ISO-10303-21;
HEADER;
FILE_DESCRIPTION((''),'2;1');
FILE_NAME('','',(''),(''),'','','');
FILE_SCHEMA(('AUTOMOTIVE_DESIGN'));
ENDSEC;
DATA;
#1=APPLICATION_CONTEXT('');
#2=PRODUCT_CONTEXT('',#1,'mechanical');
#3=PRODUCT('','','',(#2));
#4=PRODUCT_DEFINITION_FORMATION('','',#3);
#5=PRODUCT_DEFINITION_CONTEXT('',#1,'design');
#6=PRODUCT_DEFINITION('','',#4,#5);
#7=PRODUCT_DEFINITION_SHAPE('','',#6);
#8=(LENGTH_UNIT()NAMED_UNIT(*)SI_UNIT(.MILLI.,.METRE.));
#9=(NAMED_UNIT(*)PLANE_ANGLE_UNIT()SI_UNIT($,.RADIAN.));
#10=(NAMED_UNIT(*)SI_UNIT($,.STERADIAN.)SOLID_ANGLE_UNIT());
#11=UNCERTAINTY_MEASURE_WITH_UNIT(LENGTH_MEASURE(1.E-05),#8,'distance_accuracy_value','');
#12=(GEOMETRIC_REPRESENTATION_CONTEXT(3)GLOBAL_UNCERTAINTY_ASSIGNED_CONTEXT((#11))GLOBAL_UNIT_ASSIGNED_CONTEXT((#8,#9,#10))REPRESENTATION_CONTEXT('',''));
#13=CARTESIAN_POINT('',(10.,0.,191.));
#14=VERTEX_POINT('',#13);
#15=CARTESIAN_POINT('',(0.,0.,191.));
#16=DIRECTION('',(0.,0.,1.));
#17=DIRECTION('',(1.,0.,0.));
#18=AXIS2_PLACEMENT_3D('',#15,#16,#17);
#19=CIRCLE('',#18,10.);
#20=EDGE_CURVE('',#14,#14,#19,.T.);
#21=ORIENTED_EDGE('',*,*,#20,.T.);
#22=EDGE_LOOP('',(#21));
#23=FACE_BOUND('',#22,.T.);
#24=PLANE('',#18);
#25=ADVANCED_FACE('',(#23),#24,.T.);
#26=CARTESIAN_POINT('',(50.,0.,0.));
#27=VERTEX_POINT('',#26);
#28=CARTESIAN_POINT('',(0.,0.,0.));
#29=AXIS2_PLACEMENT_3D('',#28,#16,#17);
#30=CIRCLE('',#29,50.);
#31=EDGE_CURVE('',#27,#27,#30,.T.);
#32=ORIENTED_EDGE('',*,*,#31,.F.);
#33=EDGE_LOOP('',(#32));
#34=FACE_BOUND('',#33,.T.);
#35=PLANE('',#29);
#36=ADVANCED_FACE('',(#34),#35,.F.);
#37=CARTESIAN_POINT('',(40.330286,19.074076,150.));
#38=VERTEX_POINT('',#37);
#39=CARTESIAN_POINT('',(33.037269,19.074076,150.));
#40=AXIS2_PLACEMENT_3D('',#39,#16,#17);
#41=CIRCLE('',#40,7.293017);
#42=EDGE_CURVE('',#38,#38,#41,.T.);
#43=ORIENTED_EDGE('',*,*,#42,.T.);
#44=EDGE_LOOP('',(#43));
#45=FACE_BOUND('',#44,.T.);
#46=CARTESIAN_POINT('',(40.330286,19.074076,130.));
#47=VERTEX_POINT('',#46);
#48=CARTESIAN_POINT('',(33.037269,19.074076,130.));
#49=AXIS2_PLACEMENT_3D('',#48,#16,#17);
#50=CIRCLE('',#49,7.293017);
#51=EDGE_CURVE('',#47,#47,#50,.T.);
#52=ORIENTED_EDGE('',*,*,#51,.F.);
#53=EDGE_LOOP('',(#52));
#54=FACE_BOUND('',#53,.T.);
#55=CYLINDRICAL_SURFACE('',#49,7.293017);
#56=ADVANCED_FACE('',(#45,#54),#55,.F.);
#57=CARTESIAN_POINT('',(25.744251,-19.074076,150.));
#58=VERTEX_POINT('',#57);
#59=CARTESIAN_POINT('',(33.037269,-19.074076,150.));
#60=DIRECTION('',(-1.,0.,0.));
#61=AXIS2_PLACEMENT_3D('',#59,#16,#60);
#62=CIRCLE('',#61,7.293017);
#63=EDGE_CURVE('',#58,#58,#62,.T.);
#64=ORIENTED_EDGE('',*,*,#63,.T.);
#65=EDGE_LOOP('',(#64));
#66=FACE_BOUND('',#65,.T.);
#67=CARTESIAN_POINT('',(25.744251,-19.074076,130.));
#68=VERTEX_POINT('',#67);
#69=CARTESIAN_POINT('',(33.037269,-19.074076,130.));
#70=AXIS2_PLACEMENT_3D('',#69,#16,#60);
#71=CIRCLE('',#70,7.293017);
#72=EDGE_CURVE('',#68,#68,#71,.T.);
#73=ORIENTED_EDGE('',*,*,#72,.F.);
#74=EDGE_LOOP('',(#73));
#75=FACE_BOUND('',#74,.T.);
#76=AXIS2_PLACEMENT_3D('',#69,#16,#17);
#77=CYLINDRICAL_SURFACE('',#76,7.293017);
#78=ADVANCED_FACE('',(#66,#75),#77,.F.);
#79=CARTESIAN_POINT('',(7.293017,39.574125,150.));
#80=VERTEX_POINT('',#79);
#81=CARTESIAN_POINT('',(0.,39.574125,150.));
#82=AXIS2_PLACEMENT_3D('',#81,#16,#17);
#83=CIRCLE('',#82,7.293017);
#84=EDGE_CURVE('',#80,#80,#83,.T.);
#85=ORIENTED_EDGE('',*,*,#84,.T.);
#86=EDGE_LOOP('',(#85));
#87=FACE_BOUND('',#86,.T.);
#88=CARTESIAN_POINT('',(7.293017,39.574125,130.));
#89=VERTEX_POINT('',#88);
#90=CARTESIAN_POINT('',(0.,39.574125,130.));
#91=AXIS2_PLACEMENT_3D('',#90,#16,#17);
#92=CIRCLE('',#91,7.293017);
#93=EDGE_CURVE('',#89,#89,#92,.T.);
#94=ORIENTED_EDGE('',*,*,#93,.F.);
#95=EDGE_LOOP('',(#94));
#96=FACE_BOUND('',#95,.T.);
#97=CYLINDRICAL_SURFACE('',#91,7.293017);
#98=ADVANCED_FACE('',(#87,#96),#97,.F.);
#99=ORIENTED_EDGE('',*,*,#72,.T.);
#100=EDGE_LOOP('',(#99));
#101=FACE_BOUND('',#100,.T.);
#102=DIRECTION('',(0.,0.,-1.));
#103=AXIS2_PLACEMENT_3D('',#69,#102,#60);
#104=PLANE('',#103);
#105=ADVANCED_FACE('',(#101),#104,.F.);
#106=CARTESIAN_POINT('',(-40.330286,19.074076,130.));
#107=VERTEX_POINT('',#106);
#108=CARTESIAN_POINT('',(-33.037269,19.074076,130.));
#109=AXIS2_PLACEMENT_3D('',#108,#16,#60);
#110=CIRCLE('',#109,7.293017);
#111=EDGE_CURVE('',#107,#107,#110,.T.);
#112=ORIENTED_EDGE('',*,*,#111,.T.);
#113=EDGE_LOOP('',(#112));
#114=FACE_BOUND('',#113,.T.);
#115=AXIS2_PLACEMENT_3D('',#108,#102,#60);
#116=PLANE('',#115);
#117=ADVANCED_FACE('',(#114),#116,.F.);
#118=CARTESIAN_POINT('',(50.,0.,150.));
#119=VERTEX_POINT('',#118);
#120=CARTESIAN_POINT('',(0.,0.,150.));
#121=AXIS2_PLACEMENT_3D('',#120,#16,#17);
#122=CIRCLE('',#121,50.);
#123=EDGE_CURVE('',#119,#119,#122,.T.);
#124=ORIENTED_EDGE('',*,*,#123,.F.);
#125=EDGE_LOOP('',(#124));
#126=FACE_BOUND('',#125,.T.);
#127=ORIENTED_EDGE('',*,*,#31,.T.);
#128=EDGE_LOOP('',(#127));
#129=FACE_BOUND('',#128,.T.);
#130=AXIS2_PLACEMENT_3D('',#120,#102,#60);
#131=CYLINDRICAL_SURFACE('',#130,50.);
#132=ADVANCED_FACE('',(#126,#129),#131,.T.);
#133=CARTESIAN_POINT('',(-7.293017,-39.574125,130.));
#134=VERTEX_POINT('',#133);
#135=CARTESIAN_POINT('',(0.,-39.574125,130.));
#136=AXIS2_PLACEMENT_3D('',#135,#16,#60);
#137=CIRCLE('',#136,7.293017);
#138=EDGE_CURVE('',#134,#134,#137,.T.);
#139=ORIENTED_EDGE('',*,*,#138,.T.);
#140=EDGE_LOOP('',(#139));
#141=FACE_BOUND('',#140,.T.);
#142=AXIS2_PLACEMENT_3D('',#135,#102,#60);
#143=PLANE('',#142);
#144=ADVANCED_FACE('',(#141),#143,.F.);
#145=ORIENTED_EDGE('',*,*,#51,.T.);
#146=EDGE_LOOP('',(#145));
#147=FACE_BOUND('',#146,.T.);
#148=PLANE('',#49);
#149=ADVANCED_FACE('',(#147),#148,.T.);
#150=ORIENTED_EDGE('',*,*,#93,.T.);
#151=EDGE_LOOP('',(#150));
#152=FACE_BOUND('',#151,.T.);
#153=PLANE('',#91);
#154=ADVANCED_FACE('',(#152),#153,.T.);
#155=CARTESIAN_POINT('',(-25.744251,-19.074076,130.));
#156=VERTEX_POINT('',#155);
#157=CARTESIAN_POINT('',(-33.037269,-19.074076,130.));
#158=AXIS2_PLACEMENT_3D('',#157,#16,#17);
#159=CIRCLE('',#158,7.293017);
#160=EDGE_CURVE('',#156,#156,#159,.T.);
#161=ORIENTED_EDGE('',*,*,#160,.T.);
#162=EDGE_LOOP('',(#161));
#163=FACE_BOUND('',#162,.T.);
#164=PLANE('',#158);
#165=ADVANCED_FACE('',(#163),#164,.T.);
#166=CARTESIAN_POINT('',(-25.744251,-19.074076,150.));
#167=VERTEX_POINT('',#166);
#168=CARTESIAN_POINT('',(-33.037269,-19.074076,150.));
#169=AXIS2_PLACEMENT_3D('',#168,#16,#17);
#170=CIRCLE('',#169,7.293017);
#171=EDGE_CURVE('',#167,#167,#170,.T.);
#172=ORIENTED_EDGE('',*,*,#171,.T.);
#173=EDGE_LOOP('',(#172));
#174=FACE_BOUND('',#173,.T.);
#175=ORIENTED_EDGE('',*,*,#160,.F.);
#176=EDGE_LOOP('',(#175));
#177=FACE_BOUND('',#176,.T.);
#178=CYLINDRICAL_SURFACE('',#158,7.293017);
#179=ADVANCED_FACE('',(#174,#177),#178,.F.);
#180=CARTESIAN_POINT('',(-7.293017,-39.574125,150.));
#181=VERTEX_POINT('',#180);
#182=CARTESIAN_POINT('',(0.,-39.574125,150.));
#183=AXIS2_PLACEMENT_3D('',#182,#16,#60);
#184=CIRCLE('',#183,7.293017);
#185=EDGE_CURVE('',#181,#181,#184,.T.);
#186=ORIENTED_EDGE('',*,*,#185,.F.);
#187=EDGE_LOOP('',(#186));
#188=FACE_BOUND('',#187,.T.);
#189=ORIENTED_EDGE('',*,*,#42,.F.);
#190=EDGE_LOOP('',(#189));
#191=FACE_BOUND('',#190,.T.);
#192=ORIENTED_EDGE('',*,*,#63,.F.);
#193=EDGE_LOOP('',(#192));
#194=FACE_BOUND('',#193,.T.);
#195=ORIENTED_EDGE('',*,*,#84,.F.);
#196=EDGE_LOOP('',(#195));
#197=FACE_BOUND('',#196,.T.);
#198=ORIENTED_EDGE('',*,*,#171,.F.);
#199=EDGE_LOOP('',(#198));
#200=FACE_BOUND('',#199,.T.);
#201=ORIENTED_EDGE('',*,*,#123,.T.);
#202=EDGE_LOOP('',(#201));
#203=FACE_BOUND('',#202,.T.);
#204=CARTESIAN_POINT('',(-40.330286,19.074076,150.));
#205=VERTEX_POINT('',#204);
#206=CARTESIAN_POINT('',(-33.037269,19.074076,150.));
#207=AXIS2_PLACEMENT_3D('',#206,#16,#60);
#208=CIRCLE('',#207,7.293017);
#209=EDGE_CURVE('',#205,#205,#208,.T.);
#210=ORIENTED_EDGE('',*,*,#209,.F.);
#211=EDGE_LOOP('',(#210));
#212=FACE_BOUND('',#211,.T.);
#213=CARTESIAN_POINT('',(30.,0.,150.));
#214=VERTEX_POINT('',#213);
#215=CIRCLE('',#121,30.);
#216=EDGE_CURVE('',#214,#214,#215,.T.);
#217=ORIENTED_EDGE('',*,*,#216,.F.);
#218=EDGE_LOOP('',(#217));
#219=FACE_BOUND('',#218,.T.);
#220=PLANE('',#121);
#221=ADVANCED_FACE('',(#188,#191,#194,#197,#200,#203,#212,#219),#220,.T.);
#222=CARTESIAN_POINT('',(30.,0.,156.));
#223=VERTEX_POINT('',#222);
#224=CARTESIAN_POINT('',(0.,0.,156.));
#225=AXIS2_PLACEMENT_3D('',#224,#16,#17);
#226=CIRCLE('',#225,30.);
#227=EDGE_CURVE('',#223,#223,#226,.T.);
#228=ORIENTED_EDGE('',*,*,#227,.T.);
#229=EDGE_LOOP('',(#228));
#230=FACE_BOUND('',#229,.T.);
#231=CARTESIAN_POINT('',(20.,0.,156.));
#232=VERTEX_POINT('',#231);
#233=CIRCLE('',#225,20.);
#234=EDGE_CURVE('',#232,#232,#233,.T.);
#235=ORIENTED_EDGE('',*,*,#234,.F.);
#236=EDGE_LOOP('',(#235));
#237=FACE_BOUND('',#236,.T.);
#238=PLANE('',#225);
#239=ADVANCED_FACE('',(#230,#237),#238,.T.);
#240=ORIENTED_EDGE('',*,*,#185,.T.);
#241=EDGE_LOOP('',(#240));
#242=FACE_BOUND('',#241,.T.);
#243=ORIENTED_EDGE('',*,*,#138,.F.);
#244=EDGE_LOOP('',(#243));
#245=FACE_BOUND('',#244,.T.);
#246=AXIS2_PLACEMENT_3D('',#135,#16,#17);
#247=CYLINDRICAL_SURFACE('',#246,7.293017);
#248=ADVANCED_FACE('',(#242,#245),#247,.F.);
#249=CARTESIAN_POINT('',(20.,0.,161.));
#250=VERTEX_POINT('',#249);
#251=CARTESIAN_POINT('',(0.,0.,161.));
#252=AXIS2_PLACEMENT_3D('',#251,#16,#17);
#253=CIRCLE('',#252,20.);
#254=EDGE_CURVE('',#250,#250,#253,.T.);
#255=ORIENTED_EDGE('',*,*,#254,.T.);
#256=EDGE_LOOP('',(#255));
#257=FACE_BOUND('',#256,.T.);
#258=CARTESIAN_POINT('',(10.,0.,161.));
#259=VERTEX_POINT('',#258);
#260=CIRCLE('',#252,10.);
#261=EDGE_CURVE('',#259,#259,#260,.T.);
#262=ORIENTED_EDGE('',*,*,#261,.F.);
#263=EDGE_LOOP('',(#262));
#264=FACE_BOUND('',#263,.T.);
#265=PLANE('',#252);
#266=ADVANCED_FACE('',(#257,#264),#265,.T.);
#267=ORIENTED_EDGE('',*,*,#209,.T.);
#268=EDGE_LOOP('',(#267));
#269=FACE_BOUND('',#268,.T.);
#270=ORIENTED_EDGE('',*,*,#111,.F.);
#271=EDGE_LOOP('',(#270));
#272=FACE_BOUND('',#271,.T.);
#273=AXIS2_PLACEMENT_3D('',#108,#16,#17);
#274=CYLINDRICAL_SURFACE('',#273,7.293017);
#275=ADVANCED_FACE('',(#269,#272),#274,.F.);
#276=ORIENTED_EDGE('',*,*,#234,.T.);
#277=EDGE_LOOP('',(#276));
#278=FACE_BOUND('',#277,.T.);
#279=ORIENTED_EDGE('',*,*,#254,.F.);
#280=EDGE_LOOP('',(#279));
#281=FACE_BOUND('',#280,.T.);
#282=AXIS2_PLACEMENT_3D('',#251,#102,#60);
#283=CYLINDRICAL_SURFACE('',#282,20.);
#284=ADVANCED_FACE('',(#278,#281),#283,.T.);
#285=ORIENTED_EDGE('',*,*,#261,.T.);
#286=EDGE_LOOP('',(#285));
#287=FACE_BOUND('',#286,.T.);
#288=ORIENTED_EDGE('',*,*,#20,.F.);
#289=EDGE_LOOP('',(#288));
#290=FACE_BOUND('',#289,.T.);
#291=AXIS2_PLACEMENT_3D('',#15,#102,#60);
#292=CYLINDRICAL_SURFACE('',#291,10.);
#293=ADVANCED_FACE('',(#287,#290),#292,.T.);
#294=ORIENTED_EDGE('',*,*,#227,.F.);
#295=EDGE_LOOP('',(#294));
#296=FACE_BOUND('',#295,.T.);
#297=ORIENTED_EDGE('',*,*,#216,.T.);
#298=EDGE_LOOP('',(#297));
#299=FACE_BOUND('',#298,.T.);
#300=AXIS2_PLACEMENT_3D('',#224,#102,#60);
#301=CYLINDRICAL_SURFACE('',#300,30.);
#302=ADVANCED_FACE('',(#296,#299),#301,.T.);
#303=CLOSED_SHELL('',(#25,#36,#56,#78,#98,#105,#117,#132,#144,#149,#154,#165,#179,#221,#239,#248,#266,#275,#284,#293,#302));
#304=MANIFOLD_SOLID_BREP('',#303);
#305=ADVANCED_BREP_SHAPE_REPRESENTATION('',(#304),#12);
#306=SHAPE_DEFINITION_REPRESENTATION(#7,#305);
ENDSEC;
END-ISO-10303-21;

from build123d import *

# Parameters (mm, degrees)
SKETCH_4_R          = 50
EXTRUDE_1_DEPTH     = 150
SKETCH_5_R          = 30
EXTRUDE_2_DEPTH     = 6
SKETCH_6_R          = 20
EXTRUDE_3_DEPTH     = 5
SKETCH_7_R          = 10
EXTRUDE_4_DEPTH     = 30
SKETCH_8_R          = 7.293017107
CUT_EXTRUDE_1_DEPTH = 20


with BuildPart() as part:
    # 草图4 → 凸台-拉伸1 (new body)
    with BuildSketch(Plane.XY):
        Circle(SKETCH_4_R)
    extrude(amount=EXTRUDE_1_DEPTH)

    # 草图5 → 凸台-拉伸2 (add)
    with BuildSketch(Plane.XY.offset(150)):
        Circle(SKETCH_5_R)
    extrude(amount=EXTRUDE_2_DEPTH)

    # 草图6 → 凸台-拉伸3 (add)
    with BuildSketch(Plane.XY.offset(156)):
        Circle(SKETCH_6_R)
    extrude(amount=EXTRUDE_3_DEPTH)

    # 草图7 → 凸台-拉伸4 (add)
    with BuildSketch(Plane.XY.offset(161)):
        Circle(SKETCH_7_R)
    extrude(amount=EXTRUDE_4_DEPTH)

    # 草图8 → 切除-拉伸1 (cut)
    with BuildSketch(Plane.XY.offset(150)):
        with Locations((0, 39.574124617)):
            Circle(SKETCH_8_R)
        with Locations((33.03726858, 19.074075908)):
            Circle(SKETCH_8_R)
        with Locations(Location((0, -39.574124617, 0), (0, 0, 180))):
            Circle(SKETCH_8_R)
        with Locations(Location((-33.03726858, 19.074075908, 0), (0, 0, 180))):
            Circle(SKETCH_8_R)
        with Locations(Location((33.03726858, -19.074075908, 0), (0, 0, 180))):
            Circle(SKETCH_8_R)
        with Locations((-33.03726858, -19.074075908)):
            Circle(SKETCH_8_R)
    extrude(amount=-CUT_EXTRUDE_1_DEPTH, mode=Mode.SUBTRACT)


solid = part.part
